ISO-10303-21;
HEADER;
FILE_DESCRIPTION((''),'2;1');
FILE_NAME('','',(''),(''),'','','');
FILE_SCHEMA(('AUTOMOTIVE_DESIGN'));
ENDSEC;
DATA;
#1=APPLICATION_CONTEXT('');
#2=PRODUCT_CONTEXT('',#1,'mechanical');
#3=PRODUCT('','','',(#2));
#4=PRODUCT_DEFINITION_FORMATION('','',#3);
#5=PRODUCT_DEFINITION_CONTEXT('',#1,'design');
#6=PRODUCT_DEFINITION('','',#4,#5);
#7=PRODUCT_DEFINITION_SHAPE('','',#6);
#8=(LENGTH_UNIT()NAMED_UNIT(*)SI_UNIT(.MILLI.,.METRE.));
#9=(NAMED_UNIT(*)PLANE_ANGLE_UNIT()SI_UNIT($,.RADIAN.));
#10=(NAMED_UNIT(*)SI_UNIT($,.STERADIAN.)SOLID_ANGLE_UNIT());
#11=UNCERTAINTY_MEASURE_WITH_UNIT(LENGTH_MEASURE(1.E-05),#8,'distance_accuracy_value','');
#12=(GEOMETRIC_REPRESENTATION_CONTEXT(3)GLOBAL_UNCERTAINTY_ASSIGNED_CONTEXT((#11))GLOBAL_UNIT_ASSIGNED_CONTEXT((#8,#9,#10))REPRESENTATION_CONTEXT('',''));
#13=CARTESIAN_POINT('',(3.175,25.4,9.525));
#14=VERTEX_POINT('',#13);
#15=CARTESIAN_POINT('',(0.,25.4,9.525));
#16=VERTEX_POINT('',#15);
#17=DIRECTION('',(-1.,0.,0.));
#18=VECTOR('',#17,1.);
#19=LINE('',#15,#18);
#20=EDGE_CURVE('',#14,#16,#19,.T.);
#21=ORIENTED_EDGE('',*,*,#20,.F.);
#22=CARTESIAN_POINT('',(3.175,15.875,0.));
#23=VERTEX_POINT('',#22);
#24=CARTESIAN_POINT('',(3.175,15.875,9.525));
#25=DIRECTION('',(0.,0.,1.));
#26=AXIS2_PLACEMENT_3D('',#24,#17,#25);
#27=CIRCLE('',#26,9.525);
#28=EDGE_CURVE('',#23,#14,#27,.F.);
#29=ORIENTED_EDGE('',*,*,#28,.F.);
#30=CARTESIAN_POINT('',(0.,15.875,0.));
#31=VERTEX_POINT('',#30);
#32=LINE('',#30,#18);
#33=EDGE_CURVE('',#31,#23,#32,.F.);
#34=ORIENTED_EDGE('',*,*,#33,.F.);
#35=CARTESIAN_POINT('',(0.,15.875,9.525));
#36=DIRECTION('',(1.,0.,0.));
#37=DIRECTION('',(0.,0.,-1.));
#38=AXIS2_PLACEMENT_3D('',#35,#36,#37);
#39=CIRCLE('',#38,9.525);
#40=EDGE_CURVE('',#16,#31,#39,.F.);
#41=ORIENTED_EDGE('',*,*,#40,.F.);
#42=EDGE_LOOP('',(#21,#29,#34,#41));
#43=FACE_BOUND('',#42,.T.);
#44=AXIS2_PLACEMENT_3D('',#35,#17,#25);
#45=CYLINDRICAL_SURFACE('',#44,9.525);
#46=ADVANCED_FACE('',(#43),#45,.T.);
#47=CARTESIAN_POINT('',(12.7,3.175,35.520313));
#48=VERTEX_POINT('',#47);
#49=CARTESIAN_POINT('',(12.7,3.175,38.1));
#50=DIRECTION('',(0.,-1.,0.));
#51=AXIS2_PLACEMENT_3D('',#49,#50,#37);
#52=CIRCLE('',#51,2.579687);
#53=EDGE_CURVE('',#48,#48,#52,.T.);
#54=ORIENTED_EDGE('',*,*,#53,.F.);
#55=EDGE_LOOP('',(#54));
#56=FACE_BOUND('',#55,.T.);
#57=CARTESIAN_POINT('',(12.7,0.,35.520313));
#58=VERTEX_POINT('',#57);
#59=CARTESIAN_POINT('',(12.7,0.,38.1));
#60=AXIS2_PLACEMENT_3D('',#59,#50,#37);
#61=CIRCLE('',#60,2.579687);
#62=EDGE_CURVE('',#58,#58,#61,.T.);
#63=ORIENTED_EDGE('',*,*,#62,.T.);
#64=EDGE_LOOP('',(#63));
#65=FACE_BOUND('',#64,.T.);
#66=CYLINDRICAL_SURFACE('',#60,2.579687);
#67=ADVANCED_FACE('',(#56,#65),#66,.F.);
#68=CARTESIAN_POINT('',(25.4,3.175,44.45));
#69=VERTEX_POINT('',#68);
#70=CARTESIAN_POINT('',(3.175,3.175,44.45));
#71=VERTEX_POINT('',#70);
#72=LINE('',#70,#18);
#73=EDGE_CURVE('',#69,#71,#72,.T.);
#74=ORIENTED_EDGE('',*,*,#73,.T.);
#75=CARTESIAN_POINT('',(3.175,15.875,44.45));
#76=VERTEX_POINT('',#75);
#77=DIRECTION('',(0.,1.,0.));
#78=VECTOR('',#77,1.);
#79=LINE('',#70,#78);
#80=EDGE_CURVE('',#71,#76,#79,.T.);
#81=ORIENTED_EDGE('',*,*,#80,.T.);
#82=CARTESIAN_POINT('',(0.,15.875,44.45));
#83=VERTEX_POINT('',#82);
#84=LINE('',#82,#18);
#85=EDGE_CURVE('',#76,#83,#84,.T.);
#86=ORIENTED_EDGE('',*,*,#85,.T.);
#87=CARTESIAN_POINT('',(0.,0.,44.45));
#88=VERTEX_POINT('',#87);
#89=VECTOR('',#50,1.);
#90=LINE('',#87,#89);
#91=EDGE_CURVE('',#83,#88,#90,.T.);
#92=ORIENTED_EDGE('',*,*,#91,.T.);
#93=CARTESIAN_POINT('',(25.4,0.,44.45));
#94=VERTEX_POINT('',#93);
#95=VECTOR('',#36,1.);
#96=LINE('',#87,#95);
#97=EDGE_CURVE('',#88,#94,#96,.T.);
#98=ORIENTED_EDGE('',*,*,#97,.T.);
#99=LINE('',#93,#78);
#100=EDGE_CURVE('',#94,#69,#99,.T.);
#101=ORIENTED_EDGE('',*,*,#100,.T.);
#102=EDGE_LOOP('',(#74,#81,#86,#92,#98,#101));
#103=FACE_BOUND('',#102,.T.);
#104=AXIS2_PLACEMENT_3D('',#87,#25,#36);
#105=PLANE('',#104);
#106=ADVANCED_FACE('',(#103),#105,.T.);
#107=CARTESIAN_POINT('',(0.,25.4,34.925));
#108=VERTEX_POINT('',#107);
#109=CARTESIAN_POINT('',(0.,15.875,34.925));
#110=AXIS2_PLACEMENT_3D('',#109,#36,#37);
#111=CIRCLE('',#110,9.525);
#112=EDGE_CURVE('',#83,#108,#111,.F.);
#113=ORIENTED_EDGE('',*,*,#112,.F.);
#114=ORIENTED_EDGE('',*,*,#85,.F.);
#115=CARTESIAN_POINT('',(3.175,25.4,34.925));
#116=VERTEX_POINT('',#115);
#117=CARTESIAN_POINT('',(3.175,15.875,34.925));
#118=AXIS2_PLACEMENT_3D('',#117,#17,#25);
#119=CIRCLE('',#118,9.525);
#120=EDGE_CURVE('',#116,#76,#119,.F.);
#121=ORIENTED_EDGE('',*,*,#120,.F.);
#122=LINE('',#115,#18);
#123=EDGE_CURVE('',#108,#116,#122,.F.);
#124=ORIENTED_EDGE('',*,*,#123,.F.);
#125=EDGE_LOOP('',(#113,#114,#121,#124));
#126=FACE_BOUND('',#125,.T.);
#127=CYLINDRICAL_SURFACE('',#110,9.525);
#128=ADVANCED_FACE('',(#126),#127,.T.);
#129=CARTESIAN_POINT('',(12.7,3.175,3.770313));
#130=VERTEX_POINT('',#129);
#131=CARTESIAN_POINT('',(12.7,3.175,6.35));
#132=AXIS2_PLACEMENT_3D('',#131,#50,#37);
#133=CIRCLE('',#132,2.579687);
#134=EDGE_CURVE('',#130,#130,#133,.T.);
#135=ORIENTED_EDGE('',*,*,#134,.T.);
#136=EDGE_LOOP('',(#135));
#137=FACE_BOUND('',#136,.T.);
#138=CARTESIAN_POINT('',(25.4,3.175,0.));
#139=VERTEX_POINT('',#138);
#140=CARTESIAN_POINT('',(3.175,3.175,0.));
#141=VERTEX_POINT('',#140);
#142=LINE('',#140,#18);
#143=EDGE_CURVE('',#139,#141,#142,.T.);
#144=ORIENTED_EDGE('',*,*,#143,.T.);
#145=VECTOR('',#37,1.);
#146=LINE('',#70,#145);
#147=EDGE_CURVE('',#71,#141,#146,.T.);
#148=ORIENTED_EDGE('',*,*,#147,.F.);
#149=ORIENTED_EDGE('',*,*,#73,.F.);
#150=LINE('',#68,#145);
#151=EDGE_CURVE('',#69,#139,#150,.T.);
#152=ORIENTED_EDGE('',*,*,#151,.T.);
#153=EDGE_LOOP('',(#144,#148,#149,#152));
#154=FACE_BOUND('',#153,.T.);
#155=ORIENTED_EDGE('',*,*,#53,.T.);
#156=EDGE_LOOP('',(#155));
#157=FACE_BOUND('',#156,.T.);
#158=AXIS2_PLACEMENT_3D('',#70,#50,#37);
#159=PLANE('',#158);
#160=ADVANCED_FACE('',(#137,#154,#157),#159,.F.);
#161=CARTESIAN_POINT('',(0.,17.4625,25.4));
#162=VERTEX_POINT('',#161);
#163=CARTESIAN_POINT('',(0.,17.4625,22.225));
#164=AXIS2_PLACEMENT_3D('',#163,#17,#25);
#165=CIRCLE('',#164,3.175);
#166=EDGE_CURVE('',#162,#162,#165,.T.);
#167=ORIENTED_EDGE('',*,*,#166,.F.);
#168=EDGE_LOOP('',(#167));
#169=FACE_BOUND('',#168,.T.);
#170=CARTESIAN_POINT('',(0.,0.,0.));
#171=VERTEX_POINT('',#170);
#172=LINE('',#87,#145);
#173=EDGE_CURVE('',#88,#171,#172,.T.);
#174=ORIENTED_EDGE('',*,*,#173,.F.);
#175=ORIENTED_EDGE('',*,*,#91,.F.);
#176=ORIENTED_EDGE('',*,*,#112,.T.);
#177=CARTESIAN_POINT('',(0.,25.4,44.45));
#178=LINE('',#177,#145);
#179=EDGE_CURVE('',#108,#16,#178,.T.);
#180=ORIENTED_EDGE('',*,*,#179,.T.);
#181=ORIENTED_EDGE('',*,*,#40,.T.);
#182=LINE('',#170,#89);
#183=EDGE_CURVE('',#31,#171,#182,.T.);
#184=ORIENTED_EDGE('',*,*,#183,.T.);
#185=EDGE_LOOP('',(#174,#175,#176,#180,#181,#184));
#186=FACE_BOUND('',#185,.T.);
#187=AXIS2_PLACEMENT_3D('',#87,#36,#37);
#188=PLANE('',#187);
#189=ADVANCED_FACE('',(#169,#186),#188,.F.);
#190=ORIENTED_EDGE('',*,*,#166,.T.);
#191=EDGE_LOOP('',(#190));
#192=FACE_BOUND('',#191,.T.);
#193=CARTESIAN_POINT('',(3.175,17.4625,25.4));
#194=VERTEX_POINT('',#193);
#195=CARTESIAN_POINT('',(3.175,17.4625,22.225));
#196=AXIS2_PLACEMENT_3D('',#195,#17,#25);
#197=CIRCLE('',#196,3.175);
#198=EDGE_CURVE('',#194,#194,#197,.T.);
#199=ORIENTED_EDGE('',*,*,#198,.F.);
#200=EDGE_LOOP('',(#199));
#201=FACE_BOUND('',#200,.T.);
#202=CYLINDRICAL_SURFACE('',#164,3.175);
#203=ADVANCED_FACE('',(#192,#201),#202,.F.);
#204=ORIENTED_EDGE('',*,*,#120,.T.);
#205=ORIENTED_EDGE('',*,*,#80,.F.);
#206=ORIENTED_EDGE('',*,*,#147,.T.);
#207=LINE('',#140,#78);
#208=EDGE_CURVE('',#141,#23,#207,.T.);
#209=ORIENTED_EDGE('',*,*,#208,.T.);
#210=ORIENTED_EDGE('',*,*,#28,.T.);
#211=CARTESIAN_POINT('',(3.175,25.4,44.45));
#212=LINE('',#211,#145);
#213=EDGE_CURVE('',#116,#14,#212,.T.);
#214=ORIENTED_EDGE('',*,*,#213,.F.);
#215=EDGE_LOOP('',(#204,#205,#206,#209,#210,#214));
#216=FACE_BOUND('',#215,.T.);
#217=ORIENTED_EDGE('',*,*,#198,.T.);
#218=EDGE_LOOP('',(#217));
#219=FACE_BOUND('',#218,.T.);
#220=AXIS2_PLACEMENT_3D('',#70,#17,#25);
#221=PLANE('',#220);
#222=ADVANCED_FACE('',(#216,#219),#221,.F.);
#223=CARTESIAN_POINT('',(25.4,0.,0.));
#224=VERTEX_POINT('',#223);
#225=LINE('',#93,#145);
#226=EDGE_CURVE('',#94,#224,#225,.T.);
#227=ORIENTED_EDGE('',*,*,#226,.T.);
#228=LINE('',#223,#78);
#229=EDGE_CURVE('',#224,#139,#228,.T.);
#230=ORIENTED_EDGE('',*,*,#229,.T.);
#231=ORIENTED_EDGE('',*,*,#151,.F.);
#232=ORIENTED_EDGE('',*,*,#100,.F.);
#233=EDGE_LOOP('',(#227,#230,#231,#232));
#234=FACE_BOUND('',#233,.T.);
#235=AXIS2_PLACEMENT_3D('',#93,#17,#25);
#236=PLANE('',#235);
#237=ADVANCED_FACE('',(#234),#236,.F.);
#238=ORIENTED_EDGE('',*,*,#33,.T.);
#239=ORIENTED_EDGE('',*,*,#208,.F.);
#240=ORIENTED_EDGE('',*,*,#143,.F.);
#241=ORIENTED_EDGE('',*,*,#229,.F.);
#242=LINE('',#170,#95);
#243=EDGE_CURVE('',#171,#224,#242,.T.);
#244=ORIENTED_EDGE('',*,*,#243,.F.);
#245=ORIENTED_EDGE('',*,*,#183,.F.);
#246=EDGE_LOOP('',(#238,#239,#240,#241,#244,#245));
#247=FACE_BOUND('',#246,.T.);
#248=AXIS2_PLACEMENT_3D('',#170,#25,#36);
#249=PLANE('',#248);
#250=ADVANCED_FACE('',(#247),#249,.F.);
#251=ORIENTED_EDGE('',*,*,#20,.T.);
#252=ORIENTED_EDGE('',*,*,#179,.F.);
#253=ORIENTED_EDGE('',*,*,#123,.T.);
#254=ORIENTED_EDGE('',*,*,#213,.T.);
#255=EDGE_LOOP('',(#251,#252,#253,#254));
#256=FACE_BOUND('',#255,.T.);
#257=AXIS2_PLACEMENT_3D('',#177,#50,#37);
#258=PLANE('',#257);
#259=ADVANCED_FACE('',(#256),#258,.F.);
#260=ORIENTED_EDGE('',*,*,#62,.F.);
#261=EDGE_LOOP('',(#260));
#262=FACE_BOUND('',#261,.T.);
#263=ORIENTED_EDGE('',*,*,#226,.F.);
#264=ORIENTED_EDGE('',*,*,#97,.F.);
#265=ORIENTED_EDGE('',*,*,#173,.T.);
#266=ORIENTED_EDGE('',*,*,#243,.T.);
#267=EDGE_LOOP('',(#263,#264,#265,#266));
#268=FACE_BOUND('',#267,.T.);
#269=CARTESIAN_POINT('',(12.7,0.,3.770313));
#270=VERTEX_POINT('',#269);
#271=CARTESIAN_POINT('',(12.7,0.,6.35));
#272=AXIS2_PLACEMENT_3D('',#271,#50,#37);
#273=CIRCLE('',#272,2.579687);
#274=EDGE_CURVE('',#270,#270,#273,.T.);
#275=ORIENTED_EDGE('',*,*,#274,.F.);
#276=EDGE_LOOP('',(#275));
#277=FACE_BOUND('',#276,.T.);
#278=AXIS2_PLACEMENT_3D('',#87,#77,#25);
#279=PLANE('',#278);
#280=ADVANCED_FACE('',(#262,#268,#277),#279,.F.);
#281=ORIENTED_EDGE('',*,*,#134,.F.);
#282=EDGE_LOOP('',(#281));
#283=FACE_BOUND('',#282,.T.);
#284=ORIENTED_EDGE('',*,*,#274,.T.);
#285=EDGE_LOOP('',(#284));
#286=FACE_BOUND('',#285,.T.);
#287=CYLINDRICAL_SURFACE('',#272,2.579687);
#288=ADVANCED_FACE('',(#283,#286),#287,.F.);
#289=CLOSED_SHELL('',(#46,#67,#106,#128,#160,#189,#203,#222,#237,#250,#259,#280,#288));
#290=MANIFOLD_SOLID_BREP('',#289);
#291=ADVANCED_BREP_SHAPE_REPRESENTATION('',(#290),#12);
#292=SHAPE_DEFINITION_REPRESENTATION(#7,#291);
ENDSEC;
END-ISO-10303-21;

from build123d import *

# Parameters (mm, degrees)
BOSS_EXTRUDE1_DEPTH              = 44.45
F_1_4_0_25_DIAMETER_HOLE2_D      = 6.35
FILLET1_R                        = 9.525
F_13_64_0_20313_DIAMETER_HOLE1_D = 5.159375


with BuildPart() as part:
    # Sketch1 → Boss-Extrude1 (new body)
    with BuildSketch(Plane.XY):
        Polygon((0, 0), (0, 25.4), (3.175, 25.4), (3.175, 3.175), (25.4, 3.175), (25.4, 0), align=None)
    extrude(amount=BOSS_EXTRUDE1_DEPTH)

    # 1/4 (0.25) Diameter Hole2 (through all)
    with Locations(Plane.ZY):
        with Locations((22.225, 17.4625)):
            Hole(F_1_4_0_25_DIAMETER_HOLE2_D / 2)

    # Fillet1
    fillet1_edges = [part.edges().sort_by_distance(p)[0] for p in [
        (1.5875, 25.4, 44.45),
        (1.5875, 25.4, 0),
    ]]
    fillet(fillet1_edges, radius=FILLET1_R)

    # 13/64 (0.20313) Diameter Hole1 (through all)
    with Locations(Plane(origin=(0, 0, 0), x_dir=(-1, 0, 0), z_dir=(0, -1, 0))):
        with Locations((-12.7, -38.1), (-12.7, -6.35)):
            Hole(F_13_64_0_20313_DIAMETER_HOLE1_D / 2)


solid = part.part
